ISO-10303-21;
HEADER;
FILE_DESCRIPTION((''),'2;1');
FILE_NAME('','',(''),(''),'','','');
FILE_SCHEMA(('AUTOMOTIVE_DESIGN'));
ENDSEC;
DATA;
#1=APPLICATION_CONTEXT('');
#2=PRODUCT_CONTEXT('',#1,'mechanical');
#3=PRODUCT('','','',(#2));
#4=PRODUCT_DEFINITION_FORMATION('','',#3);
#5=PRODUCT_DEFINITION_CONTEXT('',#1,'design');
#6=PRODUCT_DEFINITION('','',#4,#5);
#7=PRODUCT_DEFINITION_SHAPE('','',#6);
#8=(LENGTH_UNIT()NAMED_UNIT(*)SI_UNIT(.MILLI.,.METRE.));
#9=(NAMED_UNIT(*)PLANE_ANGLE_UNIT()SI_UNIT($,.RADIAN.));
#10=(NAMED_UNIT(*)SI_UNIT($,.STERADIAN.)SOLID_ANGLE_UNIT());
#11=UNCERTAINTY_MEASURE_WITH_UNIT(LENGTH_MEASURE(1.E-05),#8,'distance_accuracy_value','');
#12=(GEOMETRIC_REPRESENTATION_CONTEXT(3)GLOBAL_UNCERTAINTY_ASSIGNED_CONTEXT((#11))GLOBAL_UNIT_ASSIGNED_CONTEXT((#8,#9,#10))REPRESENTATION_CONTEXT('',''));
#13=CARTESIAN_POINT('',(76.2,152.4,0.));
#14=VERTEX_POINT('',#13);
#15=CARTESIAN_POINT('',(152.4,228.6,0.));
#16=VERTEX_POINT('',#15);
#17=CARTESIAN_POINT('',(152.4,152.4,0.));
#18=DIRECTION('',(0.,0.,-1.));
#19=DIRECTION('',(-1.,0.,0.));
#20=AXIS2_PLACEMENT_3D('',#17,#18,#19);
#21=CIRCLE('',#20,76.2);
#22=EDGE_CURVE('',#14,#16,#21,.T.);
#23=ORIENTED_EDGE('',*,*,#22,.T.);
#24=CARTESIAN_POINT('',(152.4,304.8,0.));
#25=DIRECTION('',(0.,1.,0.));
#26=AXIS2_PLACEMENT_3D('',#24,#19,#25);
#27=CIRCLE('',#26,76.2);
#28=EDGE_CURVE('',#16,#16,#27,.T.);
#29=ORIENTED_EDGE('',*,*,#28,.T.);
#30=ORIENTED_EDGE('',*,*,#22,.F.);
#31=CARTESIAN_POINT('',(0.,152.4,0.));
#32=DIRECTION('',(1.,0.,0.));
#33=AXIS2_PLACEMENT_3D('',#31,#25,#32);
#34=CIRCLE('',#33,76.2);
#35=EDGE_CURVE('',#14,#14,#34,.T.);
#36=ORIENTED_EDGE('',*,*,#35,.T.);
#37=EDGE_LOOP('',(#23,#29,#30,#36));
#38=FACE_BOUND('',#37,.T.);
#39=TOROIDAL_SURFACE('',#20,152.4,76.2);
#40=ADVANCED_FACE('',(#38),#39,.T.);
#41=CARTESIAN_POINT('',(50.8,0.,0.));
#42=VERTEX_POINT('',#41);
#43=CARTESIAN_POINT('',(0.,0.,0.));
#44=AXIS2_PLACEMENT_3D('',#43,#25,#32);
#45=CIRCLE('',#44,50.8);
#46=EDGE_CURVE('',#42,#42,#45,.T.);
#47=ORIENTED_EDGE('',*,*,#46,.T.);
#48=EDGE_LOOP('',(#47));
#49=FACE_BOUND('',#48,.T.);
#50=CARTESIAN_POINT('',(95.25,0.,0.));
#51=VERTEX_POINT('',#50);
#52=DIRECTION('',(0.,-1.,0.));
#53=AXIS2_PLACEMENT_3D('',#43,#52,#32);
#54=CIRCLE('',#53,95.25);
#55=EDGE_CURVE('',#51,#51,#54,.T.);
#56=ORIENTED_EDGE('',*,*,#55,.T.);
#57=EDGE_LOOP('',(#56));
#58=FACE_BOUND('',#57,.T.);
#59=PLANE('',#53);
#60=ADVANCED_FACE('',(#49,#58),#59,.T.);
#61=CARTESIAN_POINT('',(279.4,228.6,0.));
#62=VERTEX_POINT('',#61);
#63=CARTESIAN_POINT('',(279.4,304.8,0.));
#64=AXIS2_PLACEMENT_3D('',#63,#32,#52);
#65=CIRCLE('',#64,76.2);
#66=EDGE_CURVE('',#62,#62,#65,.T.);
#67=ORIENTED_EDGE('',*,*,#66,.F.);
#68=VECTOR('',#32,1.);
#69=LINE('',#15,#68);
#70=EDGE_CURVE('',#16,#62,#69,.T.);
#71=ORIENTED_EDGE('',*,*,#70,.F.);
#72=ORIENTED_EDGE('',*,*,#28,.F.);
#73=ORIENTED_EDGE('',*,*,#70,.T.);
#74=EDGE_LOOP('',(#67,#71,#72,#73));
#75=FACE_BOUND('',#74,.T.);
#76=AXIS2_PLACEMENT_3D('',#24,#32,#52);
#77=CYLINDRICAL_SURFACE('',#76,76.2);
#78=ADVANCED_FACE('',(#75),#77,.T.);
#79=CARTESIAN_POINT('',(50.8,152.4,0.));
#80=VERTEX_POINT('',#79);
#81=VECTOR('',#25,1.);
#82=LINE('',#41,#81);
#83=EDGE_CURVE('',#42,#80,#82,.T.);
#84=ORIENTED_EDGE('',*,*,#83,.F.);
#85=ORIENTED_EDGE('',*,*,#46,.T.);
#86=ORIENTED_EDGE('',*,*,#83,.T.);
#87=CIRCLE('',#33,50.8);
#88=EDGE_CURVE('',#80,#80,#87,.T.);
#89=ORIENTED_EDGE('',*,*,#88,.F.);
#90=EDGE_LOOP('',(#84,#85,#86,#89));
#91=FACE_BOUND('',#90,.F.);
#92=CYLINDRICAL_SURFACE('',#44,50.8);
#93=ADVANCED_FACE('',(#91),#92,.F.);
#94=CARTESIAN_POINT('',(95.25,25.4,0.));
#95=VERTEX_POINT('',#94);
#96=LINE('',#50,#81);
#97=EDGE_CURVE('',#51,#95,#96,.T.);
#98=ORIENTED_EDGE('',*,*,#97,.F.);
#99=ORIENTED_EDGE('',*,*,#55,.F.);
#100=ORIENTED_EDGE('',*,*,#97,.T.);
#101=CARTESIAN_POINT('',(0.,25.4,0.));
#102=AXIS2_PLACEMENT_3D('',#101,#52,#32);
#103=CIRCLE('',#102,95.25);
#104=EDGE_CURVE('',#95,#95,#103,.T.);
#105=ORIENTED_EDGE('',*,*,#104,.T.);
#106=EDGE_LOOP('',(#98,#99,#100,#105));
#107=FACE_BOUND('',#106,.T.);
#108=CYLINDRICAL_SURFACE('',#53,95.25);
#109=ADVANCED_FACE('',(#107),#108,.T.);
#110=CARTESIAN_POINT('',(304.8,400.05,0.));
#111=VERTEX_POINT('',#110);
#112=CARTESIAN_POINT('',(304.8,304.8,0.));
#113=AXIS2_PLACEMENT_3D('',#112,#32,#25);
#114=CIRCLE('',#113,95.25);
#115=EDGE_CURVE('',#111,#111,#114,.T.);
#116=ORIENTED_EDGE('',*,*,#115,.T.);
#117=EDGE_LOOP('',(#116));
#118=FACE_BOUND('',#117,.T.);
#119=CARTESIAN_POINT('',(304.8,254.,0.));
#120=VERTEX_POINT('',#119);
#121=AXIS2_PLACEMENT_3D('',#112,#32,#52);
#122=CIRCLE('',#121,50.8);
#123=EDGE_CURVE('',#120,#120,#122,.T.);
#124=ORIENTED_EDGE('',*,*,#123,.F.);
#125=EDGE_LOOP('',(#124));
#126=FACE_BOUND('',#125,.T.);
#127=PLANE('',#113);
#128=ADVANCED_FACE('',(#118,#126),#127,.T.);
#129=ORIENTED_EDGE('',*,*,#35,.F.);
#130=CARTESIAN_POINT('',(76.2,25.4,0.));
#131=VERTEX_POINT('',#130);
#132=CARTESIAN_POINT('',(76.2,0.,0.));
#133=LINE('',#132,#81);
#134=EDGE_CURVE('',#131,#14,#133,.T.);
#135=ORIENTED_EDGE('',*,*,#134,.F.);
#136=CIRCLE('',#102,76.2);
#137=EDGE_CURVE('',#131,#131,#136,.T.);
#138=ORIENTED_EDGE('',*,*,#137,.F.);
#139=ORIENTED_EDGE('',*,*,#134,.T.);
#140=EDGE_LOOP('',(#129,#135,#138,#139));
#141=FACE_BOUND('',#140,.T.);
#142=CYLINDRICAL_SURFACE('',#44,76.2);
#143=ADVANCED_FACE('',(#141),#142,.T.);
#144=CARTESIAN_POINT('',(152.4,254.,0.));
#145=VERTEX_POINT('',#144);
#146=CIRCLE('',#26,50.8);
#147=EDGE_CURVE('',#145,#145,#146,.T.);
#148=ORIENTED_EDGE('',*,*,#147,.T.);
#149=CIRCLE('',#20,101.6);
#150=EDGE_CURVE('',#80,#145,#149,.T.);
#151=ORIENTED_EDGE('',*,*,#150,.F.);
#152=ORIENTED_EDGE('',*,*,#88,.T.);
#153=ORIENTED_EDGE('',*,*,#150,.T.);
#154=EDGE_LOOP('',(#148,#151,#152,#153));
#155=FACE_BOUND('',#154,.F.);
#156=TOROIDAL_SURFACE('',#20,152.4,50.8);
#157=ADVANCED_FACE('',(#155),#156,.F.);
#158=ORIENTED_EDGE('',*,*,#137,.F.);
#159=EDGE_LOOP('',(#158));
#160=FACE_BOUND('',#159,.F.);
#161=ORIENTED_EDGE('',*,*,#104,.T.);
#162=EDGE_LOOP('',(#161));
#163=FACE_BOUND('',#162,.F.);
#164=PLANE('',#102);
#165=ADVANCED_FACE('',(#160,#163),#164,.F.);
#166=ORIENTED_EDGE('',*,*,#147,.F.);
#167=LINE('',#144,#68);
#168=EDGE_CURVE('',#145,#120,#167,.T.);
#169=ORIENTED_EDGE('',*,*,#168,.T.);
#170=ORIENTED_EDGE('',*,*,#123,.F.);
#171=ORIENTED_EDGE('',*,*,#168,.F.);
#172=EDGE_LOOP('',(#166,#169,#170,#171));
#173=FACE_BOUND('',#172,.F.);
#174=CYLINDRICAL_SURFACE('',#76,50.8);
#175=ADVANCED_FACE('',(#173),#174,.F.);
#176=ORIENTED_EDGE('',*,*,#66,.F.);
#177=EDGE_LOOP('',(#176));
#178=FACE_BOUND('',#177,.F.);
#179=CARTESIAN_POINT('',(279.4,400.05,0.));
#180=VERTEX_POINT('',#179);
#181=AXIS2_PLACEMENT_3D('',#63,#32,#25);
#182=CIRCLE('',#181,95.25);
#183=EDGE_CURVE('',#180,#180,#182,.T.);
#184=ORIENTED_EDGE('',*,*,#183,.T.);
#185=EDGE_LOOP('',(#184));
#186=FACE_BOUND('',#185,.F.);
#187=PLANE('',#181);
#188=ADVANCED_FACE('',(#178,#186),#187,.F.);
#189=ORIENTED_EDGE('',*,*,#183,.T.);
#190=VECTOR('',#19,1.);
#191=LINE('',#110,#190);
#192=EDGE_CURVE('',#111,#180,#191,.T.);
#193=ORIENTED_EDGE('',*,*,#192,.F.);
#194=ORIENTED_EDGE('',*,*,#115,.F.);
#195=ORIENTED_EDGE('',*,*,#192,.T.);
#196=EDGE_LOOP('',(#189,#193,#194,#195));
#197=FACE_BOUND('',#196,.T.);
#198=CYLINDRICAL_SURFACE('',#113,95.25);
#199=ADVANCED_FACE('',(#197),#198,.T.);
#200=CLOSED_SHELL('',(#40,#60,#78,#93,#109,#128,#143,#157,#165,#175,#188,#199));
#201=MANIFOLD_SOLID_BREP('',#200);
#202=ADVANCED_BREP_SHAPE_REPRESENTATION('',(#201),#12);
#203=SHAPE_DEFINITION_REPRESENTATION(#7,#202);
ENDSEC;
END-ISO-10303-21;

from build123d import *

# Parameters (mm, degrees)
F0_R     = 76.2
F3_T     = -25.4
F0_R_2   = 95.25
F4_DEPTH = 25.4
F6_R     = 95.25
F6_R_2   = 76.2
F7_DEPTH = 25.4


with BuildPart() as f2:
    # F2: sweep along a path in F1
    with BuildLine(Plane.XY) as f2_path:
        Line((0, 0), (0, 152.4))
        ThreePointArc((0, 152.4), (44.6369265472, 260.1630734528), (152.4, 304.8))
        Line((152.4, 304.8), (304.8, 304.8))
    # F0 (on Front) → F2 (sweep)
    with BuildSketch(Plane.XZ):
        Circle(F0_R)
    sweep(path=f2_path.line)

    # F3
    f3_openings = [f2.faces().sort_by_distance(p)[0] for p in [
        (0, 0, 0),
        (304.8, 304.8, 0),
    ]]
    offset(amount=F3_T, openings=f3_openings)

    # F0 (on Front) → F4 (join)
    with BuildSketch(Plane.XZ):
        Circle(F0_R_2)
        Circle(F0_R, mode=Mode.SUBTRACT)
    extrude(amount=-F4_DEPTH)

    # F6 (on line) → F7 (join)
    with BuildSketch(Plane.YZ.offset(304.8)):
        with Locations((304.8, 0)):
            Circle(F6_R)
        with Locations((304.8, 0)):
            Circle(F6_R_2, mode=Mode.SUBTRACT)
    extrude(amount=-F7_DEPTH)


solid = f2.part
